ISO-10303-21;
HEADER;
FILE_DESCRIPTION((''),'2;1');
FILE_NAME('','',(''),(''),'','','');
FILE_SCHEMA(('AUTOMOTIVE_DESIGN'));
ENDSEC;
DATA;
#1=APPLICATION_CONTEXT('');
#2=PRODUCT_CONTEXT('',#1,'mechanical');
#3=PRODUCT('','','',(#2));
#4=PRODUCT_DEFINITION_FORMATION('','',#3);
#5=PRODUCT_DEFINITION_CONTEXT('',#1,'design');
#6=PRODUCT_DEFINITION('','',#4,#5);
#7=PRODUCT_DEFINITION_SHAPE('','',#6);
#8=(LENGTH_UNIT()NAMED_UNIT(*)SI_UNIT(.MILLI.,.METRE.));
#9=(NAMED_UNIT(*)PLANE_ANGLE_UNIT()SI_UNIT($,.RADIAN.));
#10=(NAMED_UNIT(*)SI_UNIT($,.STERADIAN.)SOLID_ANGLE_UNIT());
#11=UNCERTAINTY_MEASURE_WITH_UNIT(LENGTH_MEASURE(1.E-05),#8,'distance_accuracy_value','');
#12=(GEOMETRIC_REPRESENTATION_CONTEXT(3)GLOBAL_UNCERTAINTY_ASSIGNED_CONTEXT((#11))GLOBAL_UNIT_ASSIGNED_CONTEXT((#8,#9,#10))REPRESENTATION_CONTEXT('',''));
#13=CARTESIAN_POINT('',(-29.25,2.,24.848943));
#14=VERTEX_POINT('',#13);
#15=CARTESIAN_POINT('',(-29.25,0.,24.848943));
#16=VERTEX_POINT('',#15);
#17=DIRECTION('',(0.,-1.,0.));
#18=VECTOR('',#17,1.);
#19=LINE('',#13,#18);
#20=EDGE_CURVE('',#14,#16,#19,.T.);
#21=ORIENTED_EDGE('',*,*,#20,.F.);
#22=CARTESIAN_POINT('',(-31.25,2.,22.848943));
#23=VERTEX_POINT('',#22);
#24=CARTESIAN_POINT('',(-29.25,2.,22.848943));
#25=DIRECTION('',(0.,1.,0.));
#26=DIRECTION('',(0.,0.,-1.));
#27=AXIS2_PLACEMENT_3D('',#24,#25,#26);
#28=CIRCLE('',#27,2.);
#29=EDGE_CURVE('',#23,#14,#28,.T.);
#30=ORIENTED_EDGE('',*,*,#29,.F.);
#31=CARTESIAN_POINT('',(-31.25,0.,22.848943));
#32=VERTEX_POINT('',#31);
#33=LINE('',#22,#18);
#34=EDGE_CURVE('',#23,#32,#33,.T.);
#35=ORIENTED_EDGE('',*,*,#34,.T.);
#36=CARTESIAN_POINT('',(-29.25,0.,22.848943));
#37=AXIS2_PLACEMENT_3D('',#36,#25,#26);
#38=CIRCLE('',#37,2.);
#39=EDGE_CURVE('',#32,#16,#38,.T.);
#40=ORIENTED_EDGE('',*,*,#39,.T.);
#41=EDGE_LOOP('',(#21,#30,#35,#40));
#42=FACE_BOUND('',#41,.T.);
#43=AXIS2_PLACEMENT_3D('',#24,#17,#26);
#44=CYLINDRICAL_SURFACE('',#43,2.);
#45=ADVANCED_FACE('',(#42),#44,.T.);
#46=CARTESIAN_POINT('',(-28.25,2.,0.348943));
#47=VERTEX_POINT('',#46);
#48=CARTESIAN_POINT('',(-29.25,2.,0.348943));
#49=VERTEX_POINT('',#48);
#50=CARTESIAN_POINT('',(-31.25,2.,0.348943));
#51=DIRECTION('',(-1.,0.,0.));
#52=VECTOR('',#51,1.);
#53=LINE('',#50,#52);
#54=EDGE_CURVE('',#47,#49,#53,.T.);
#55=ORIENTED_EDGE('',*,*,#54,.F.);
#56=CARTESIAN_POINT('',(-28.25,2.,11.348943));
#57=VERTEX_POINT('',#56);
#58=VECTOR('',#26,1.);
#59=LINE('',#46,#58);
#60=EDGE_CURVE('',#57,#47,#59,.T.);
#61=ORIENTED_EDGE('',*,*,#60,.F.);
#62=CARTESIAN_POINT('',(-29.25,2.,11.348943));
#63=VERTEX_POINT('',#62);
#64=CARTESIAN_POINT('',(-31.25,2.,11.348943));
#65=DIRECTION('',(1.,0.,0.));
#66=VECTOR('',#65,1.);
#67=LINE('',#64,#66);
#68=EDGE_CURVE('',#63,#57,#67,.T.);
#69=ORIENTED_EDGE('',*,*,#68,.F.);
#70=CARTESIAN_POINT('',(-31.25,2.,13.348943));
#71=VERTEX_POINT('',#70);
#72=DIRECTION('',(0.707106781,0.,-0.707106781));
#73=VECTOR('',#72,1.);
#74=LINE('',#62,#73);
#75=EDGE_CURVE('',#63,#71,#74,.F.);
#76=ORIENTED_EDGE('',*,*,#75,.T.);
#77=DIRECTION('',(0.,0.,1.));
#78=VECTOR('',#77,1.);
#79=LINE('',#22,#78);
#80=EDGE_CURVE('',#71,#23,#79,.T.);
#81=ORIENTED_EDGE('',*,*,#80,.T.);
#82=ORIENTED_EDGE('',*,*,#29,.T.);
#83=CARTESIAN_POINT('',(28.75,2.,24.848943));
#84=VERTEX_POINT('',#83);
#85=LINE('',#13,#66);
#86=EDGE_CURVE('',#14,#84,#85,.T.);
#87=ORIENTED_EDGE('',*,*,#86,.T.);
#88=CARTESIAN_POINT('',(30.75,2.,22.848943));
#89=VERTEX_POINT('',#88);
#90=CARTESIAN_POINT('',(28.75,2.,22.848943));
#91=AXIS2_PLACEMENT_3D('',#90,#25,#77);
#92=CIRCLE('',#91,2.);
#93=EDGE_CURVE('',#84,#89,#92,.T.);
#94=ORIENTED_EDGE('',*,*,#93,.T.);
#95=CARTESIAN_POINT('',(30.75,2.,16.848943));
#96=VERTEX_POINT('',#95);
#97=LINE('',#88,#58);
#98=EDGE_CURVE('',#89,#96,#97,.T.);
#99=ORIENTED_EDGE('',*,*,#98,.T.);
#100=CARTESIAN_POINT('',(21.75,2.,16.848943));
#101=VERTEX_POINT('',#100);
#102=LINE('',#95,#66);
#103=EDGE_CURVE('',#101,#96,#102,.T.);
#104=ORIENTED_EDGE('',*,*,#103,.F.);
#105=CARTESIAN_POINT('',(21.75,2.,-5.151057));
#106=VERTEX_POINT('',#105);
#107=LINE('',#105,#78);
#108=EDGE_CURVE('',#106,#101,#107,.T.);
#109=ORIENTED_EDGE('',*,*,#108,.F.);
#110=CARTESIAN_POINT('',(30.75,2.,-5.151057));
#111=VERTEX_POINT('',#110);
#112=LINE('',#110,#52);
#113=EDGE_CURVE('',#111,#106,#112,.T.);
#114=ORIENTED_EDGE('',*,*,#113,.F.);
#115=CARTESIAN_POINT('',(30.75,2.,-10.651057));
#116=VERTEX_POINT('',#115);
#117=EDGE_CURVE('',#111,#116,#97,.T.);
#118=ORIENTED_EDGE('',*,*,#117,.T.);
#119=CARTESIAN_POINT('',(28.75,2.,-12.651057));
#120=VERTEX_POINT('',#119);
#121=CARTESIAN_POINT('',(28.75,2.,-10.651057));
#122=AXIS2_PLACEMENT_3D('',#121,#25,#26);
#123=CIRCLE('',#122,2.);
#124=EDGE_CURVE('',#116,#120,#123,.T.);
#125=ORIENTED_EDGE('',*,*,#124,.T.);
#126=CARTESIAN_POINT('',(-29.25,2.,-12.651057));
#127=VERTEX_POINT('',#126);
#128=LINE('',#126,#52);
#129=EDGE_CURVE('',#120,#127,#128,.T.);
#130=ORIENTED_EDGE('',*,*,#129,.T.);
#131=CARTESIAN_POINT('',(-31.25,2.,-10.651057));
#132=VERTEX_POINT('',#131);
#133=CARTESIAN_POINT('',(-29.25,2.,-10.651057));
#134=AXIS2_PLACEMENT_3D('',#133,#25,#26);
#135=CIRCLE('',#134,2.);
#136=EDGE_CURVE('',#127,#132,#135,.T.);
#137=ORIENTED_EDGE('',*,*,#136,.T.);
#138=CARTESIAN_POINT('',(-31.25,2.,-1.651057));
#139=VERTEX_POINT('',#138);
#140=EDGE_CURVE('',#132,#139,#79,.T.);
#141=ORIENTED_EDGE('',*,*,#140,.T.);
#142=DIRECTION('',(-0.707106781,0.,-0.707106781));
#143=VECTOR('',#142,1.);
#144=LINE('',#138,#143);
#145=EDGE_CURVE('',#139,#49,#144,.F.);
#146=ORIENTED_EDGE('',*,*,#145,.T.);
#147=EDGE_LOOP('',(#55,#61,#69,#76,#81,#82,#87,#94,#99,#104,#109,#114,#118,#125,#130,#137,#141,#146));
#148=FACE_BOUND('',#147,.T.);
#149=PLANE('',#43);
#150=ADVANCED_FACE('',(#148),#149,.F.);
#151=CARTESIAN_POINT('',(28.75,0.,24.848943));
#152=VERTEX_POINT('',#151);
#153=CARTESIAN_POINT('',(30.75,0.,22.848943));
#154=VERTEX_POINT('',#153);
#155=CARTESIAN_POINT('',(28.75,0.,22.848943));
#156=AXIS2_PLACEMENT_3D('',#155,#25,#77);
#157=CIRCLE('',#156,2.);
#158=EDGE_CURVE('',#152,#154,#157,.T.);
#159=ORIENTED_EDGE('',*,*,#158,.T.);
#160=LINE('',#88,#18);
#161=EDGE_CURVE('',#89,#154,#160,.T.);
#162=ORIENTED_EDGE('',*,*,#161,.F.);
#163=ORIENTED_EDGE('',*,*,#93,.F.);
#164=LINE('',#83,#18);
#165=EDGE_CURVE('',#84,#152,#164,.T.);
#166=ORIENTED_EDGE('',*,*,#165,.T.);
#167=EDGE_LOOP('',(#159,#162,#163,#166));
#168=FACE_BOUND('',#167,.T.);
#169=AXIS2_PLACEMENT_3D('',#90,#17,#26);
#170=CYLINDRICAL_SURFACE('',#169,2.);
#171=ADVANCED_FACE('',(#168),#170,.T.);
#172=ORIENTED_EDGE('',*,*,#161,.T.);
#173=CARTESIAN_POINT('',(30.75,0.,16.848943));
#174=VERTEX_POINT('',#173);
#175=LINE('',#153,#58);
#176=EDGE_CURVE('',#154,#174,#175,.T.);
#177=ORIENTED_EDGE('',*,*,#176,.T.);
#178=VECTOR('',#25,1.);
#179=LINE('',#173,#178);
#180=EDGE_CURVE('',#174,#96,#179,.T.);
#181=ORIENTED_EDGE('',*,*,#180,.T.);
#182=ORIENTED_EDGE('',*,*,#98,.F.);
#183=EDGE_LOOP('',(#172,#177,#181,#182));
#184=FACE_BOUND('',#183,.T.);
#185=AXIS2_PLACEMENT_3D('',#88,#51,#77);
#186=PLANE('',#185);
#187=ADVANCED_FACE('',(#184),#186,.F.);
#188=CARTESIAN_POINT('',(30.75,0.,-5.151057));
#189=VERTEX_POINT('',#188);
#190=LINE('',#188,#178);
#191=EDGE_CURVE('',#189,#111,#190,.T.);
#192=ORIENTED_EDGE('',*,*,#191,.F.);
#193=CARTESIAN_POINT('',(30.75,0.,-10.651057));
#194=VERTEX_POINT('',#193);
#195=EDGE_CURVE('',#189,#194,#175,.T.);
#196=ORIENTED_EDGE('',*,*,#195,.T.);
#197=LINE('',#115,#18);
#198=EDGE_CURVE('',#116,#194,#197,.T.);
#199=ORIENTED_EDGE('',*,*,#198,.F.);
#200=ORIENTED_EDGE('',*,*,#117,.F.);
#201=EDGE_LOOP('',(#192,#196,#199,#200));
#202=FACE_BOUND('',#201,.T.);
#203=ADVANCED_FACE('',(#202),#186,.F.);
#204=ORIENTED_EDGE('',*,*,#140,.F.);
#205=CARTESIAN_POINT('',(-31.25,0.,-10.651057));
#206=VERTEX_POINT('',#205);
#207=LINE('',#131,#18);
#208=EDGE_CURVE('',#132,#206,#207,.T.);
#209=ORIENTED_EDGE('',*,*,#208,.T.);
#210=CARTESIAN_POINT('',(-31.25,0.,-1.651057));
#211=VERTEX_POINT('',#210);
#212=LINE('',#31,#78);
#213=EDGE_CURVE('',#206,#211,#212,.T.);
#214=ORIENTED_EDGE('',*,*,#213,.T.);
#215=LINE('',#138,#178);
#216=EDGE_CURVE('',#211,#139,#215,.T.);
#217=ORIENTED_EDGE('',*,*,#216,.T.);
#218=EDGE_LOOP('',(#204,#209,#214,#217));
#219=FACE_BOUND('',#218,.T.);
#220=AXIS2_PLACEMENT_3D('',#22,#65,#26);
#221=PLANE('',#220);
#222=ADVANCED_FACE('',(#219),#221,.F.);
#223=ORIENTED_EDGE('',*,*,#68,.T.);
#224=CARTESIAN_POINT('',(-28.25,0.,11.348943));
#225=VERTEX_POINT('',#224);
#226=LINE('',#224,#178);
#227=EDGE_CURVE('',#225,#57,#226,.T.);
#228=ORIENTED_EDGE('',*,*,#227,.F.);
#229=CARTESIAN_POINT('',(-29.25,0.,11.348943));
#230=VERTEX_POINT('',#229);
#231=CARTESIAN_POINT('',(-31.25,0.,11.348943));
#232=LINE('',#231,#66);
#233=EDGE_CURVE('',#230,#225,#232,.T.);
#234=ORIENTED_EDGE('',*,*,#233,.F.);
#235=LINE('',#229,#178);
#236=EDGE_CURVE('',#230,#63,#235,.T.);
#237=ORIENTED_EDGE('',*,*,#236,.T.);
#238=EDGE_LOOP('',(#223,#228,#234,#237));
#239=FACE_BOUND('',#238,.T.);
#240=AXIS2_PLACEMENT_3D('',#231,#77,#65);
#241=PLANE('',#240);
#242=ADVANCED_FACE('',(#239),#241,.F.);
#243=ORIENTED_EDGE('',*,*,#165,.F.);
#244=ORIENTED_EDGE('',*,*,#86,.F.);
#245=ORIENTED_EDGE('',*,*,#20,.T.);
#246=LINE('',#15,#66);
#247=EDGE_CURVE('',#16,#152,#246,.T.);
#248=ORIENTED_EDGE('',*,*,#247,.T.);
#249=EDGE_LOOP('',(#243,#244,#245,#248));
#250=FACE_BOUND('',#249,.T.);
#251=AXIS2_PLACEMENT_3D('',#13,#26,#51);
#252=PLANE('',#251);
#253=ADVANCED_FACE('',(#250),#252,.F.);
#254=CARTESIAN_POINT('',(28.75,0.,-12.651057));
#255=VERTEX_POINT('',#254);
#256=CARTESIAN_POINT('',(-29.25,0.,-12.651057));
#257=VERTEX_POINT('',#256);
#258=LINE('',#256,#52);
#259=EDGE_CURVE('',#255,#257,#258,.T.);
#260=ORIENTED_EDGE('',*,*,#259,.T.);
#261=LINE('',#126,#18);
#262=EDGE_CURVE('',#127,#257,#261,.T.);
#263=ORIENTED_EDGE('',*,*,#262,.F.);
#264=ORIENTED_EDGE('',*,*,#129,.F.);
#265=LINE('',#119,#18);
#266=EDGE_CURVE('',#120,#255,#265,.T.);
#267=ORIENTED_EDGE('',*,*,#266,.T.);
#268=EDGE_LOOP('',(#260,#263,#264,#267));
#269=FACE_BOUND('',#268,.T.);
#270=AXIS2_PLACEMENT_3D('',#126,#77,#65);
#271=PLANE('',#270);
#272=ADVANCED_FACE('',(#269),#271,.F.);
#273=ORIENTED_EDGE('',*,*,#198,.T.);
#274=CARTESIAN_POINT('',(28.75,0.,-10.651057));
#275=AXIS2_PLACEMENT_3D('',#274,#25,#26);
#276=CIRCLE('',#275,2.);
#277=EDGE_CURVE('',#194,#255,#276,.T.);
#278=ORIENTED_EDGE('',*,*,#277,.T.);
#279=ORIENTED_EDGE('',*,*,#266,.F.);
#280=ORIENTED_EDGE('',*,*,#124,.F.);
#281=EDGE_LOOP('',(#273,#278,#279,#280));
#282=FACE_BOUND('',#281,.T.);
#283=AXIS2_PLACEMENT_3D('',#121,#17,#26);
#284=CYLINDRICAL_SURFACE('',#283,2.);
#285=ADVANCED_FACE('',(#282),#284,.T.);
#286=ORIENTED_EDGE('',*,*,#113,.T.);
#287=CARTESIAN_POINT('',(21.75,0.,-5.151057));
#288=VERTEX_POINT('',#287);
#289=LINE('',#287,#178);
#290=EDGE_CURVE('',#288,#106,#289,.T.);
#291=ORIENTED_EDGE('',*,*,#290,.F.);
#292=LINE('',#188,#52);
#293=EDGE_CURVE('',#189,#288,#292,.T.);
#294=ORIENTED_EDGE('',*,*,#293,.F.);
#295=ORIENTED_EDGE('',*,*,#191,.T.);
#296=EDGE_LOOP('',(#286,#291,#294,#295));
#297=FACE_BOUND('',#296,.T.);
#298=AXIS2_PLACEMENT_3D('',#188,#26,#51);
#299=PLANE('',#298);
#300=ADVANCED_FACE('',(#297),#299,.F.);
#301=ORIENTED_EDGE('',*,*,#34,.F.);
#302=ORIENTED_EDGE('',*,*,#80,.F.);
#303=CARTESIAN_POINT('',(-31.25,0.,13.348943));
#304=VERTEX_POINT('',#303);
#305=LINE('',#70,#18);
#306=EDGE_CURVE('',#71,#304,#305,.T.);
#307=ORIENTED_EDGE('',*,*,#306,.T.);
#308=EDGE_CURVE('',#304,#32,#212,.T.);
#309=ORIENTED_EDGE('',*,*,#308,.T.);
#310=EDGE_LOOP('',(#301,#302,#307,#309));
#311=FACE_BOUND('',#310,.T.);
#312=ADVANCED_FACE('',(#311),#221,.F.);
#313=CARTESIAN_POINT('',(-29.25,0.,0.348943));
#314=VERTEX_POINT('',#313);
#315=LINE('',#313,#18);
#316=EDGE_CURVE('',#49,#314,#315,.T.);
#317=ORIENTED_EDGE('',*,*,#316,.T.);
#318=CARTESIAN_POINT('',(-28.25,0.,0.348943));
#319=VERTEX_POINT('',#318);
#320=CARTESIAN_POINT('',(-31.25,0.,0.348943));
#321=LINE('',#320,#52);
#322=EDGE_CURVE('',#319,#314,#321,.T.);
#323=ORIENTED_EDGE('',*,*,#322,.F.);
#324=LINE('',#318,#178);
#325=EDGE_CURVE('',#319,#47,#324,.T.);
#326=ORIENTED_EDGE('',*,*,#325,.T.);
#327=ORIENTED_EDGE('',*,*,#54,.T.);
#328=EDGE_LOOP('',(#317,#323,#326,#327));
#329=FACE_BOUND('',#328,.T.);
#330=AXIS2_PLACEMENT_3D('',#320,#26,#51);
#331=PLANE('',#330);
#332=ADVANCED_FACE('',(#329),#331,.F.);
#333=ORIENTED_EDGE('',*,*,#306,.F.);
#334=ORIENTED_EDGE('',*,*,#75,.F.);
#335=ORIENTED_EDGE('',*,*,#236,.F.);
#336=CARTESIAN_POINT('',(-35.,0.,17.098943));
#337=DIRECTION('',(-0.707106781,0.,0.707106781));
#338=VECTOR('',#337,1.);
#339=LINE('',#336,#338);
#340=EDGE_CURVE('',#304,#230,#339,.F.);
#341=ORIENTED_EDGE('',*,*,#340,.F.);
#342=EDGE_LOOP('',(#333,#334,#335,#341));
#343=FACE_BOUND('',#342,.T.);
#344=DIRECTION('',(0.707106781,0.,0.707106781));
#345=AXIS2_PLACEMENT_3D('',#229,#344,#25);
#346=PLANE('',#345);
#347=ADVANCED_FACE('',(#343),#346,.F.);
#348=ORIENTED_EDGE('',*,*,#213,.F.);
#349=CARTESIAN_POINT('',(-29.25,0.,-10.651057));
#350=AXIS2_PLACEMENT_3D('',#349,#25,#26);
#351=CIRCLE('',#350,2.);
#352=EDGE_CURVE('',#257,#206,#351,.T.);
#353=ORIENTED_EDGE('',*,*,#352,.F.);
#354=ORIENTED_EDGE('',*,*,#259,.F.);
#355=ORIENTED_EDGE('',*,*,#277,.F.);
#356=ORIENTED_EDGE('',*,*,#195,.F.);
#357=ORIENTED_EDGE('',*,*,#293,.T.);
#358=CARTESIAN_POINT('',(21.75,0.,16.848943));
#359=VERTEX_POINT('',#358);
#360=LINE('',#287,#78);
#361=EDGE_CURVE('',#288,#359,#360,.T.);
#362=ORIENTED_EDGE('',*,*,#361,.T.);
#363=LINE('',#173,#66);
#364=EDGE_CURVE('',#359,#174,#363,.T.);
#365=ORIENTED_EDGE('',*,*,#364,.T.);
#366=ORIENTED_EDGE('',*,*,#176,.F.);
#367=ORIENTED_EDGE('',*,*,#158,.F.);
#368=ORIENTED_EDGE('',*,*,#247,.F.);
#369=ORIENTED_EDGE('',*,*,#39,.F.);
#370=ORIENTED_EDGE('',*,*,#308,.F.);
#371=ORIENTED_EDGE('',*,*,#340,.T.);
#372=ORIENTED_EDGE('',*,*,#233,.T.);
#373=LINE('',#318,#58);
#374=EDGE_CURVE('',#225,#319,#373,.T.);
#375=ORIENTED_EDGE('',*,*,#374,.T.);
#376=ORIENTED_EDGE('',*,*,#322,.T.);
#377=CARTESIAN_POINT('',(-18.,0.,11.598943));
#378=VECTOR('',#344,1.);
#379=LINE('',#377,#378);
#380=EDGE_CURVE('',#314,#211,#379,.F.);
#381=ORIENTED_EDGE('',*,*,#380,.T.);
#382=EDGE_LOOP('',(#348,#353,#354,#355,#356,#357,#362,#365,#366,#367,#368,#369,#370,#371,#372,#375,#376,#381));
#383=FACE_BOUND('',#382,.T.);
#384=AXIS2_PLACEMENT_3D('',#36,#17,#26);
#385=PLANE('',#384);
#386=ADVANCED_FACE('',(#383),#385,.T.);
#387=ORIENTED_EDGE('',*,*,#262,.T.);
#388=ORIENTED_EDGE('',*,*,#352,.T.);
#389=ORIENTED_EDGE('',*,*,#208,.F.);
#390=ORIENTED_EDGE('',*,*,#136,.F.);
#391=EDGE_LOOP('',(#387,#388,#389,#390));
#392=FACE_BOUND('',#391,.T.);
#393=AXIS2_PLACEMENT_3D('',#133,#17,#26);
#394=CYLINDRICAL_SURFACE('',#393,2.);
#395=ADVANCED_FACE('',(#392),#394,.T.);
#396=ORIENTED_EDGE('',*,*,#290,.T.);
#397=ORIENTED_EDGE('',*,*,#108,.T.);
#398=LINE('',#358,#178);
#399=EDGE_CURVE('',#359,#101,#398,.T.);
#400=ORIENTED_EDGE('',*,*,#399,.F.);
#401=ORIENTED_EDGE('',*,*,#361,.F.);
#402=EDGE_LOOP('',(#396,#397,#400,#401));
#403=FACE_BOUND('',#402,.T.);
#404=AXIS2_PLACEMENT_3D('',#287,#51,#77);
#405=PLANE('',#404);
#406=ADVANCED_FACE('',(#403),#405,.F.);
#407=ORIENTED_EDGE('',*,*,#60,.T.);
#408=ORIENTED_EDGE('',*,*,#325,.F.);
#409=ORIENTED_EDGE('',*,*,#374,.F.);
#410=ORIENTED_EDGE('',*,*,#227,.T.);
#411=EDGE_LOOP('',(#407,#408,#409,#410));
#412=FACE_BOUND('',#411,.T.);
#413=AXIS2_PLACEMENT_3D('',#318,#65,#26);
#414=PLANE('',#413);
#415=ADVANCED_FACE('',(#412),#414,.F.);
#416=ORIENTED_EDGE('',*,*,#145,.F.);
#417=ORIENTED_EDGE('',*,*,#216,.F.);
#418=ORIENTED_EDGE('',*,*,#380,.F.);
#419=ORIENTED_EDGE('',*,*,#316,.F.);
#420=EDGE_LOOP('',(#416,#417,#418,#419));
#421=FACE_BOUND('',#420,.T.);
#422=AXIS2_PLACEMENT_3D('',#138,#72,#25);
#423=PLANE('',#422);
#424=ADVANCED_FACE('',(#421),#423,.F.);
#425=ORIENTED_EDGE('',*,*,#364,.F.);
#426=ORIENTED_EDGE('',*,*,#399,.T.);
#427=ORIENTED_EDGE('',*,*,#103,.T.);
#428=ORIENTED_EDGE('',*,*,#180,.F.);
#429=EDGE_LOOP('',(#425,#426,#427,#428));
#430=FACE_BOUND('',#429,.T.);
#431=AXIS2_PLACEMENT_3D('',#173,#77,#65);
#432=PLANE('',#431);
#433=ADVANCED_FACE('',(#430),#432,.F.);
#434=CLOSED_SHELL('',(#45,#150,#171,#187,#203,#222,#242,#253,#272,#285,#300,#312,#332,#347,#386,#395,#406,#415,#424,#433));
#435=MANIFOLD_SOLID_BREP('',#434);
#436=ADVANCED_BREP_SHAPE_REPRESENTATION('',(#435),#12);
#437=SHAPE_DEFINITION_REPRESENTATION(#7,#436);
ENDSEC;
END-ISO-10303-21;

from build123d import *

# Parameters (mm, degrees)
BOSS_EXTRUDE1_DEPTH = 2
SKETCH3_W           = 3
SKETCH3_H           = 11
CUT_EXTRUDE1_DEPTH  = 2
CHAMFER1_SIZE       = 2
SKETCH4_W           = 9
SKETCH4_H           = 22
CUT_EXTRUDE2_DEPTH  = 2


with BuildPart() as part:
    # Sketch1 → Boss-Extrude1 (new body)
    with BuildSketch(Plane(origin=(0, 0, 0), x_dir=(1, 0, 0), z_dir=(0, 1, 0))):
        with BuildLine():
            Line((-29.25, -24.848942598), (28.75, -24.848942598))
            ThreePointArc((28.75, -24.848942598), (30.164213562, -24.263156161), (30.75, -22.848942598))
            Line((30.75, -22.848942598), (30.75, 10.651057402))
            ThreePointArc((30.75, 10.651057402), (30.164213562, 12.065270964), (28.75, 12.651057402))
            Line((28.75, 12.651057402), (-29.25, 12.651057402))
            ThreePointArc((-29.25, 12.651057402), (-30.664213562, 12.065270964), (-31.25, 10.651057402))
            Line((-31.25, 10.651057402), (-31.25, -22.848942598))
            ThreePointArc((-31.25, -22.848942598), (-30.664213562, -24.263156161), (-29.25, -24.848942598))
        make_face()
    extrude(amount=BOSS_EXTRUDE1_DEPTH)

    # Sketch3 → Cut-Extrude1 (cut)
    with BuildSketch(Plane(origin=(0, 2, 0), x_dir=(1, 0, 0), z_dir=(0, 1, 0))):
        with Locations((-29.75, -5.848942598)):
            Rectangle(SKETCH3_W, SKETCH3_H)
    extrude(amount=-CUT_EXTRUDE1_DEPTH, mode=Mode.SUBTRACT)

    # Chamfer1
    chamfer1_edges = [part.edges().sort_by_distance(p)[0] for p in [
        (-31.25, 1, 11.348942598),
        (-31.25, 1, 0.348942598),
    ]]
    chamfer(chamfer1_edges, length=CHAMFER1_SIZE)

    # Sketch4 → Cut-Extrude2 (cut)
    with BuildSketch(Plane(origin=(0, 2, 0), x_dir=(1, 0, 0), z_dir=(0, 1, 0))):
        with Locations((26.25, -5.848942598)):
            Rectangle(SKETCH4_W, SKETCH4_H)
    extrude(amount=-CUT_EXTRUDE2_DEPTH, mode=Mode.SUBTRACT)


solid = part.part
